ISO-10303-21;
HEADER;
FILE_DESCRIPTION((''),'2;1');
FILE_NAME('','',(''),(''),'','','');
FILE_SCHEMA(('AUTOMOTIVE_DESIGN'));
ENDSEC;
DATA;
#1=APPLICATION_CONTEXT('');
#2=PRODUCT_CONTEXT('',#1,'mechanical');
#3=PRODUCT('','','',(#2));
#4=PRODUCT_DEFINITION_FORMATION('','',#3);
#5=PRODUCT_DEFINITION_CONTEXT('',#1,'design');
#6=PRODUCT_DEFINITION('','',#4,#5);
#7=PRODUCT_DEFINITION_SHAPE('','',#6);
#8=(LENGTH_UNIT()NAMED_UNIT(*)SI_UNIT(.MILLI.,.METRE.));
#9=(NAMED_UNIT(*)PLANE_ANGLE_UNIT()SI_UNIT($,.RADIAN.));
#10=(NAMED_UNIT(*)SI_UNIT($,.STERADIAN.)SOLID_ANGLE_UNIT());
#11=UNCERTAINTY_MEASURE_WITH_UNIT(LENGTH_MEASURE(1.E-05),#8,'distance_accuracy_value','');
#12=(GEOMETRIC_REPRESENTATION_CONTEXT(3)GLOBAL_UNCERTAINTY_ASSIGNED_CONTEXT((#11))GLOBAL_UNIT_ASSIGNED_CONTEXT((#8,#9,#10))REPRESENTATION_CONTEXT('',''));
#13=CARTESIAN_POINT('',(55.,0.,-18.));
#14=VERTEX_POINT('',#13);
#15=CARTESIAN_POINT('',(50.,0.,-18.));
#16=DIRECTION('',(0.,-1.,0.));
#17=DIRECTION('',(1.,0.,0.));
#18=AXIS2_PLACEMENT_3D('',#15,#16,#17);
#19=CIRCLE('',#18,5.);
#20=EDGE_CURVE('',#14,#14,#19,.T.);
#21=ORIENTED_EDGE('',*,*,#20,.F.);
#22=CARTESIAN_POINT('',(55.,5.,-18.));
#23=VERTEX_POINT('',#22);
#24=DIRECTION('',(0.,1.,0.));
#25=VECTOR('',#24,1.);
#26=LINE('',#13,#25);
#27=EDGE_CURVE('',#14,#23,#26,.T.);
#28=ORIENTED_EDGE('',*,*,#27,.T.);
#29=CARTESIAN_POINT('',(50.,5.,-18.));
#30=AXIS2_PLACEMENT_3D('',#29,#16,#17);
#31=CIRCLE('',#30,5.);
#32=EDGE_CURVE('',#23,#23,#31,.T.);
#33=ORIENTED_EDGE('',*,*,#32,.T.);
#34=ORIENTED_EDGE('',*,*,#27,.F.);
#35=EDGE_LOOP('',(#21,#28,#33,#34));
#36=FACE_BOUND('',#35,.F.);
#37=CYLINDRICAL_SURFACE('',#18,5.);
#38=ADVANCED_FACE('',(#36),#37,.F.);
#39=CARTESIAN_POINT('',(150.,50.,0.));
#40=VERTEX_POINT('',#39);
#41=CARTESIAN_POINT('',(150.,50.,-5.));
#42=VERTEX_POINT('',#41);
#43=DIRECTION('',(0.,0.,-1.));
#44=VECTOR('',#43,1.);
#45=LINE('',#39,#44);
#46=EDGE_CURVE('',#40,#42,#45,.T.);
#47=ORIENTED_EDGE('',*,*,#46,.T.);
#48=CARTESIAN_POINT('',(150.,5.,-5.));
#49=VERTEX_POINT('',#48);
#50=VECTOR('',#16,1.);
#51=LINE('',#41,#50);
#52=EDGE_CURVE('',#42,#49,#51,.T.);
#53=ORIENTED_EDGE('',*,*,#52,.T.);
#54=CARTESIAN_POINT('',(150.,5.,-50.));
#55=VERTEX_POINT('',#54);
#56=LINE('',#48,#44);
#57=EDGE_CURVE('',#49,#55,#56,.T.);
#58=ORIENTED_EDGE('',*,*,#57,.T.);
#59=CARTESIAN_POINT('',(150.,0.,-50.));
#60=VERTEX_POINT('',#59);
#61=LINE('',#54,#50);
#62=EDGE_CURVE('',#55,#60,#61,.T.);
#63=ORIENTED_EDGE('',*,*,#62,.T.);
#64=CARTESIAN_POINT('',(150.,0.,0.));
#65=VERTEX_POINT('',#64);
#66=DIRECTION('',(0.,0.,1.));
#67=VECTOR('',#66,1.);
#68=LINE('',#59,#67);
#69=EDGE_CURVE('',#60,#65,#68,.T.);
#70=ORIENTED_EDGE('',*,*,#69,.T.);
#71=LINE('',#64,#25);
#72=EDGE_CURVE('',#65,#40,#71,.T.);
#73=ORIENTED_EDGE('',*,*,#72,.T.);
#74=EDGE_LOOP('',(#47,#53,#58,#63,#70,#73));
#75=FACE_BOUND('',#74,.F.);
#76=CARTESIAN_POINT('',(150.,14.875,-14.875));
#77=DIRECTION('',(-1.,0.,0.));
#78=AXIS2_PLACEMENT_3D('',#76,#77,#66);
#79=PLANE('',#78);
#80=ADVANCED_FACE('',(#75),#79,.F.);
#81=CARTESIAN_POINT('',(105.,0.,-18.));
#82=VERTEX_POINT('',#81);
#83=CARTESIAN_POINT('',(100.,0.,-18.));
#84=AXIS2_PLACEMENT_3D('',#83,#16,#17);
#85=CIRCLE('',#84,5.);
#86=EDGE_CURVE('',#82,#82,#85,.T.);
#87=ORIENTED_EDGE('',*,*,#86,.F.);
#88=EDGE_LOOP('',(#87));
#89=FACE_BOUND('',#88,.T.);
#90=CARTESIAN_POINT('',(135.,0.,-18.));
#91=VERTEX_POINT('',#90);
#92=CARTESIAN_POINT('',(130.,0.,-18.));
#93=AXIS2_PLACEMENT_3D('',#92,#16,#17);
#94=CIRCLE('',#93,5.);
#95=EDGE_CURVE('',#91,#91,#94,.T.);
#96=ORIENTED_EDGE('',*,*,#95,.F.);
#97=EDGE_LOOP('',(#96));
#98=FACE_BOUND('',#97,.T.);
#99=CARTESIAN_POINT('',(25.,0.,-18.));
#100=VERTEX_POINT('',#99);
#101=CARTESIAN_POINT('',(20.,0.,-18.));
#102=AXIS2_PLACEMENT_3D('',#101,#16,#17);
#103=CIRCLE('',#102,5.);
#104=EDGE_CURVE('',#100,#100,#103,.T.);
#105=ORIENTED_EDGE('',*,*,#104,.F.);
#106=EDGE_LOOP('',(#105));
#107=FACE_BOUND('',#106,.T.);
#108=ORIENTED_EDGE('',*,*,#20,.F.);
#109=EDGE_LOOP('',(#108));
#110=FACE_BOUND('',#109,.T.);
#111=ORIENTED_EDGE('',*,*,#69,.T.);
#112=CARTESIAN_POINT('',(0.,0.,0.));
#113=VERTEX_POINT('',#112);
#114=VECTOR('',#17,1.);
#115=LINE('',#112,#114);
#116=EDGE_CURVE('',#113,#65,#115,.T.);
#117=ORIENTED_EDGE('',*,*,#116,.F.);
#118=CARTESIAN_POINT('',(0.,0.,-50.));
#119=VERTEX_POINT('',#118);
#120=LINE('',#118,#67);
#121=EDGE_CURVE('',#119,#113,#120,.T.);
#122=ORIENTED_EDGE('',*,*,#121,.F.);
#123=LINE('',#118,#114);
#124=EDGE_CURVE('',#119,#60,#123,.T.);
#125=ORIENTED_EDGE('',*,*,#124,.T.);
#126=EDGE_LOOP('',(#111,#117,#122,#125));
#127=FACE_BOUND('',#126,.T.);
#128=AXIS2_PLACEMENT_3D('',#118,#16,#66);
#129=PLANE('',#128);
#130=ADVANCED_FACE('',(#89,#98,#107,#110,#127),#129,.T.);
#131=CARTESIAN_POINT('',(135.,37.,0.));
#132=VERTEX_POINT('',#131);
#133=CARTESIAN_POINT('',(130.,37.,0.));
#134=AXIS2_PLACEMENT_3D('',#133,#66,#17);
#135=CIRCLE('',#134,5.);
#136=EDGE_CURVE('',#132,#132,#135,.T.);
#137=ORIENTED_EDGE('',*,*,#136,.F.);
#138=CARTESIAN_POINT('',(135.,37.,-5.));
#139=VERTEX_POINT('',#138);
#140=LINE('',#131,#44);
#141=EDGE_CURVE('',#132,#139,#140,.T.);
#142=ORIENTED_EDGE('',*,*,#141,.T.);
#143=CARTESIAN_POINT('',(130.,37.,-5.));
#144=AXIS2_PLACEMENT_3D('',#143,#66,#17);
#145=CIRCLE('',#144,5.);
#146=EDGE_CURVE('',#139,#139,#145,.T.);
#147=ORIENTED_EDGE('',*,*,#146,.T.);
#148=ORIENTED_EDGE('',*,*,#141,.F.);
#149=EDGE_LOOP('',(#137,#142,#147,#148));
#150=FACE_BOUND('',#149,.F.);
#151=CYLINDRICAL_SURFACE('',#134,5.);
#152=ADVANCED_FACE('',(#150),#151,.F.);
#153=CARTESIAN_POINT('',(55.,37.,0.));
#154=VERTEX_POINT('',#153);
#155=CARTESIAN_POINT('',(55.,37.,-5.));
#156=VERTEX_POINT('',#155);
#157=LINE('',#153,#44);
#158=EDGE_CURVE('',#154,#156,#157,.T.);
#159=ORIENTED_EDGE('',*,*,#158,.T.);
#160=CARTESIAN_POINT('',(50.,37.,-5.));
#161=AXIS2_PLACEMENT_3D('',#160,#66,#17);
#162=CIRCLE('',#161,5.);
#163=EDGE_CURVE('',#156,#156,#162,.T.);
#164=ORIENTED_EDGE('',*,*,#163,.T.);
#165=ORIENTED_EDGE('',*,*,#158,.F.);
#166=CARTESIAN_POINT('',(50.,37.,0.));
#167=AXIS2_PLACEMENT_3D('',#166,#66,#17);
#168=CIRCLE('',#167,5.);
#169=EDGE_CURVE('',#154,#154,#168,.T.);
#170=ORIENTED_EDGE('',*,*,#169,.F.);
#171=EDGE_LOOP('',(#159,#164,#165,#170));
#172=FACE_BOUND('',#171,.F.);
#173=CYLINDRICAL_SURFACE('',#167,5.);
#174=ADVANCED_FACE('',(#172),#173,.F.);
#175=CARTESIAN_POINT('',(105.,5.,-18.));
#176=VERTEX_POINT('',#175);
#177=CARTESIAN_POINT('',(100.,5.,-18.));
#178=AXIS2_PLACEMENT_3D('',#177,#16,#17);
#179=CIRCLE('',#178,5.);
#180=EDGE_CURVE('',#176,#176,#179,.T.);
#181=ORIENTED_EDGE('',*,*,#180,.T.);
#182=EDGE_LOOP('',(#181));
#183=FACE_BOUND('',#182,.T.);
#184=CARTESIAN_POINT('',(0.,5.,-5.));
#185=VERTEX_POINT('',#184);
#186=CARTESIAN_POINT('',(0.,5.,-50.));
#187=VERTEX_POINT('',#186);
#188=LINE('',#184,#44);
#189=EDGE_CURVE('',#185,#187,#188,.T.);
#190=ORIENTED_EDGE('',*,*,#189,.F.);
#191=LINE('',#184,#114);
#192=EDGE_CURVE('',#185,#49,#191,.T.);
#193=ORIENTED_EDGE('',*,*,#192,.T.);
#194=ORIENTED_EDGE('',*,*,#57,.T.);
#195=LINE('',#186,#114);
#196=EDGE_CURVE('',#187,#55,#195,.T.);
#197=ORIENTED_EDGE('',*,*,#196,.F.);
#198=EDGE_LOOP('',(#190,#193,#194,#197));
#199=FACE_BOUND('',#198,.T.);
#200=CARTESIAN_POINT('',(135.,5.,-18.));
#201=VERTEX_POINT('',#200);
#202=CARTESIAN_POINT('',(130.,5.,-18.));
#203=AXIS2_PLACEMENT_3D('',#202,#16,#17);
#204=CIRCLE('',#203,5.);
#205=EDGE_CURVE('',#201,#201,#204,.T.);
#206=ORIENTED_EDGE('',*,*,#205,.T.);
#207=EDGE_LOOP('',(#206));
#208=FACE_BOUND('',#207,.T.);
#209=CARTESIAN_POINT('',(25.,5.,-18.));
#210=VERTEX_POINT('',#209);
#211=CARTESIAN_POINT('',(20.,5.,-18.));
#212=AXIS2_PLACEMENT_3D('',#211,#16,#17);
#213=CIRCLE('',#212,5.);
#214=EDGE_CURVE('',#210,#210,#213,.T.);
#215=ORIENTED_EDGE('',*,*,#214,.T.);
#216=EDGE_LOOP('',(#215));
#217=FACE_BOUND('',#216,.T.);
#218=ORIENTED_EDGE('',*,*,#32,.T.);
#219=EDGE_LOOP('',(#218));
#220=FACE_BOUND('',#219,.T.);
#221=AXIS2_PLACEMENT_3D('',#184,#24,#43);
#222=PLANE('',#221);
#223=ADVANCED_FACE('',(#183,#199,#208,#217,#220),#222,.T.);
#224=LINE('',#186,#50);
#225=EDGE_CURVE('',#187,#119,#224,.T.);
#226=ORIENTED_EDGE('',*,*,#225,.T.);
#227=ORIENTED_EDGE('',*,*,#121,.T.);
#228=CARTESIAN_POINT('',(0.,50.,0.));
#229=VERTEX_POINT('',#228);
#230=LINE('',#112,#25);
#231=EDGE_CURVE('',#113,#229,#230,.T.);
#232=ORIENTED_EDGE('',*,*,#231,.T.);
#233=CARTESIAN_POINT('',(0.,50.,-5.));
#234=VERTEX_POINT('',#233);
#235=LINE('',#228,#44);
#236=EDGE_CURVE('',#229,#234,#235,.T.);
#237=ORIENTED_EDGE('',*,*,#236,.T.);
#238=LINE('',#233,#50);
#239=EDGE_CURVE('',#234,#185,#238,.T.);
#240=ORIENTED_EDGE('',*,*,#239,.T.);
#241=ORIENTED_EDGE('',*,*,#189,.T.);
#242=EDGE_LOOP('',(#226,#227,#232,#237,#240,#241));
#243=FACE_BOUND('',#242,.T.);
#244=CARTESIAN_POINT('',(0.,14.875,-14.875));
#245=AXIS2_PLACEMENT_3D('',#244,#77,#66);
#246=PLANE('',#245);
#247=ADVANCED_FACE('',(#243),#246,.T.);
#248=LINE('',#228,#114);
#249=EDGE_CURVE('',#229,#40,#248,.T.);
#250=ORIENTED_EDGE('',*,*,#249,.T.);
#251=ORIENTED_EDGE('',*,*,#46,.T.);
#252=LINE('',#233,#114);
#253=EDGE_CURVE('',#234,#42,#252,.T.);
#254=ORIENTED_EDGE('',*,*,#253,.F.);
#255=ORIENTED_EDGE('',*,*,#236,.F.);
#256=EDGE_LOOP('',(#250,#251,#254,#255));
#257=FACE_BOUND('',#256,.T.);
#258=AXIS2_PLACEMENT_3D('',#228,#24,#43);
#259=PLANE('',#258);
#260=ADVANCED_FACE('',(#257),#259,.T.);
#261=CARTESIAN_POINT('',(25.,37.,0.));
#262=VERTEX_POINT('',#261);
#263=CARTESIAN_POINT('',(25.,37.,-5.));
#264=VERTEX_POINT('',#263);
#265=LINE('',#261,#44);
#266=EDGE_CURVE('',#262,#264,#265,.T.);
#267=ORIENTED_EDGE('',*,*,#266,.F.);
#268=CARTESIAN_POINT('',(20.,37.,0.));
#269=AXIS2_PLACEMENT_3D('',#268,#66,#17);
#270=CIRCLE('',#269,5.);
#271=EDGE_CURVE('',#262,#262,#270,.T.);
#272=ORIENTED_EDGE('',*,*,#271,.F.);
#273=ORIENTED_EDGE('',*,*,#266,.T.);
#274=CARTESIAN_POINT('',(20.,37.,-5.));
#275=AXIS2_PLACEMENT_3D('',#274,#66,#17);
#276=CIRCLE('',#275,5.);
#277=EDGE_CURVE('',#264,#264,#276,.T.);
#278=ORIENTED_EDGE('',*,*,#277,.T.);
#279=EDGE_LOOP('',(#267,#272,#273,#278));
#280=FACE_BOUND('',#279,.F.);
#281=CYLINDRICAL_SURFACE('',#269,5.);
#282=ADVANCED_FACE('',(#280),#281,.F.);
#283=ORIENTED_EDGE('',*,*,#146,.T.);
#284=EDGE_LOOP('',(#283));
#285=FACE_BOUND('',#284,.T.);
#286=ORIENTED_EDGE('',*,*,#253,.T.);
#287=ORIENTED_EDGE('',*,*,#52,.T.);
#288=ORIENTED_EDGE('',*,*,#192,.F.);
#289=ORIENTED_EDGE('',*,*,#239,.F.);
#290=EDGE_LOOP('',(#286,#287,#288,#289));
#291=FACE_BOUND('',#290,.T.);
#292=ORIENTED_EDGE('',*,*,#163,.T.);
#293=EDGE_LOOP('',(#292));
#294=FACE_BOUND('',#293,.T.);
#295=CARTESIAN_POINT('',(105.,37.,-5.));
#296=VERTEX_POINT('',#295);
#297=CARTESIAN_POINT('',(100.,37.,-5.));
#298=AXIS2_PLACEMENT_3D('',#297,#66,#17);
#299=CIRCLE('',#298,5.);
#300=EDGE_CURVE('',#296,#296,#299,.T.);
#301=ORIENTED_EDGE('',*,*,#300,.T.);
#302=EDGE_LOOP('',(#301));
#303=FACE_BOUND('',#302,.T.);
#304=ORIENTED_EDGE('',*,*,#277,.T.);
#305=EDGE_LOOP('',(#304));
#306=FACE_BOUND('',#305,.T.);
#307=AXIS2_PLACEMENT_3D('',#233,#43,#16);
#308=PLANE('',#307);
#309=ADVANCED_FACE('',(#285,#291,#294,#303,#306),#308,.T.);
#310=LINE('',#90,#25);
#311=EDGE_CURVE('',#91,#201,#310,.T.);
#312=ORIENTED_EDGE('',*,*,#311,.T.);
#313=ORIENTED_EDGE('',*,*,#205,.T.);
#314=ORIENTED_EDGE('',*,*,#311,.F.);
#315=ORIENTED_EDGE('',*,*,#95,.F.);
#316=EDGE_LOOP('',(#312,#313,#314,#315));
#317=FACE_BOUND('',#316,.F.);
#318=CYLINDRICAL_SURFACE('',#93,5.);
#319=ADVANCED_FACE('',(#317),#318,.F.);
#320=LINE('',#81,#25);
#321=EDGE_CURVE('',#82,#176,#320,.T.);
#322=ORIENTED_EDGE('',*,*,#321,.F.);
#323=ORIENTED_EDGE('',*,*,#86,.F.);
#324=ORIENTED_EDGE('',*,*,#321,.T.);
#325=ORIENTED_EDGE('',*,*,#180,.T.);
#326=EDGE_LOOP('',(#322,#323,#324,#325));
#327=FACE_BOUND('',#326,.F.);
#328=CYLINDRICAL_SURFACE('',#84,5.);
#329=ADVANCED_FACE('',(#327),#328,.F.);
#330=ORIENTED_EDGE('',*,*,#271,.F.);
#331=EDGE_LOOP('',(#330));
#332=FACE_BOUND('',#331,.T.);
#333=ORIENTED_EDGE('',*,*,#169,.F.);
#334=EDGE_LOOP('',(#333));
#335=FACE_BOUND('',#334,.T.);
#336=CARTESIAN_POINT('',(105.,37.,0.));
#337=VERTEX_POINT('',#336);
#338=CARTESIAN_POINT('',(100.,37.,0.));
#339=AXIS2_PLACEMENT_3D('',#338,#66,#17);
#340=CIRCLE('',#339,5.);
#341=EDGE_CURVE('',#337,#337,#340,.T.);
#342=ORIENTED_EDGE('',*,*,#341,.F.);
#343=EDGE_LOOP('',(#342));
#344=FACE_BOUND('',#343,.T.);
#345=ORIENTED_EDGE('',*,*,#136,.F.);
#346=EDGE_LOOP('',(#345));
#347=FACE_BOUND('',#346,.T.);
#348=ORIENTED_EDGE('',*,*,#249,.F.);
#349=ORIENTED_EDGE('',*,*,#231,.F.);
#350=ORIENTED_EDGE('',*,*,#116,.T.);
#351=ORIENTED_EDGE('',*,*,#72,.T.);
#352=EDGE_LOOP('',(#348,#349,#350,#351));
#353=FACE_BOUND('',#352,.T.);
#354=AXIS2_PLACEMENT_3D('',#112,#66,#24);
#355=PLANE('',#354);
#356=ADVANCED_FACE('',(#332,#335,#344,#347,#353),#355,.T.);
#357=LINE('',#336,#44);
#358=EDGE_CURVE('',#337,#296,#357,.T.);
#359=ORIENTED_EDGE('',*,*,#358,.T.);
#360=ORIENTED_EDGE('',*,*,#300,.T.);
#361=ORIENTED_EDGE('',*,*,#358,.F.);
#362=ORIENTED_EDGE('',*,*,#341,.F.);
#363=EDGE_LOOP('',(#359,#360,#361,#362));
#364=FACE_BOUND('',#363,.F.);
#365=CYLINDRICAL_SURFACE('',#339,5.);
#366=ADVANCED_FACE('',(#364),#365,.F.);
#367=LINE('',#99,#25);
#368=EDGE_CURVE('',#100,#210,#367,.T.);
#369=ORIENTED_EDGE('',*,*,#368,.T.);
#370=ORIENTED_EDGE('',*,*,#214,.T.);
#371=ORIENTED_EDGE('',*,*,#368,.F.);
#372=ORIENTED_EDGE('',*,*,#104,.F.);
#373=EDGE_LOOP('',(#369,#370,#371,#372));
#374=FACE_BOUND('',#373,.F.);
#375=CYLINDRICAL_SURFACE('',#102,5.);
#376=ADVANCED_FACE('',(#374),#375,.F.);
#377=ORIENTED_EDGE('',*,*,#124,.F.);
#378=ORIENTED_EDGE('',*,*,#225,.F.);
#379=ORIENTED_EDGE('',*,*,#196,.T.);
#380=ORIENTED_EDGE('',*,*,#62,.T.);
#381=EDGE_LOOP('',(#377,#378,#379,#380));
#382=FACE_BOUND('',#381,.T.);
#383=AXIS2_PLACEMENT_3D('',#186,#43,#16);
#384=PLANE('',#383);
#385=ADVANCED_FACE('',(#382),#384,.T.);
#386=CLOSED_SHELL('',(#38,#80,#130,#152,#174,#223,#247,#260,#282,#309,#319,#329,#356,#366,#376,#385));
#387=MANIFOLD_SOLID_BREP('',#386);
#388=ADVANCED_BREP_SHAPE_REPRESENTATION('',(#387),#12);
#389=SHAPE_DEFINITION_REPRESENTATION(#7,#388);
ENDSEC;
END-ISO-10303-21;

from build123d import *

# Parameters (mm, degrees)
EXTRUDE_1_DEPTH     = 150
SKETCH_2_R          = 5
CUT_EXTRUDE_1_DEPTH = 51
SKETCH_3_R          = 5
CUT_EXTRUDE_2_DEPTH = 51


with BuildPart() as part:
    # Эскиз1 → Вытянуть-Тонкостенный1 (new body)
    with BuildSketch(Plane(origin=(0, 0, 0), x_dir=(0, 0, -1), z_dir=(1, 0, 0))):
        Polygon((50, 0), (0, 0), (0, 50), (5, 50), (5, 5), (50, 5), align=None)
    extrude(amount=EXTRUDE_1_DEPTH)

    # Эскиз2 → Вырез-Вытянуть1 (cut, through all)
    with BuildSketch(Plane.XY):
        with Locations((20, 37)):
            Circle(SKETCH_2_R)
        with Locations((50, 37)):
            Circle(SKETCH_2_R)
        with Locations((100, 37)):
            Circle(SKETCH_2_R)
        with Locations((130, 37)):
            Circle(SKETCH_2_R)
    extrude(amount=-CUT_EXTRUDE_1_DEPTH, mode=Mode.SUBTRACT)

    # Эскиз3 → Вырез-Вытянуть2 (cut, through all)
    with BuildSketch(Plane.XZ):
        with Locations((130, -18)):
            Circle(SKETCH_3_R)
        with Locations((100, -18)):
            Circle(SKETCH_3_R)
        with Locations((50, -18)):
            Circle(SKETCH_3_R)
        with Locations((20, -18)):
            Circle(SKETCH_3_R)
    extrude(amount=-CUT_EXTRUDE_2_DEPTH, mode=Mode.SUBTRACT)


solid = part.part
